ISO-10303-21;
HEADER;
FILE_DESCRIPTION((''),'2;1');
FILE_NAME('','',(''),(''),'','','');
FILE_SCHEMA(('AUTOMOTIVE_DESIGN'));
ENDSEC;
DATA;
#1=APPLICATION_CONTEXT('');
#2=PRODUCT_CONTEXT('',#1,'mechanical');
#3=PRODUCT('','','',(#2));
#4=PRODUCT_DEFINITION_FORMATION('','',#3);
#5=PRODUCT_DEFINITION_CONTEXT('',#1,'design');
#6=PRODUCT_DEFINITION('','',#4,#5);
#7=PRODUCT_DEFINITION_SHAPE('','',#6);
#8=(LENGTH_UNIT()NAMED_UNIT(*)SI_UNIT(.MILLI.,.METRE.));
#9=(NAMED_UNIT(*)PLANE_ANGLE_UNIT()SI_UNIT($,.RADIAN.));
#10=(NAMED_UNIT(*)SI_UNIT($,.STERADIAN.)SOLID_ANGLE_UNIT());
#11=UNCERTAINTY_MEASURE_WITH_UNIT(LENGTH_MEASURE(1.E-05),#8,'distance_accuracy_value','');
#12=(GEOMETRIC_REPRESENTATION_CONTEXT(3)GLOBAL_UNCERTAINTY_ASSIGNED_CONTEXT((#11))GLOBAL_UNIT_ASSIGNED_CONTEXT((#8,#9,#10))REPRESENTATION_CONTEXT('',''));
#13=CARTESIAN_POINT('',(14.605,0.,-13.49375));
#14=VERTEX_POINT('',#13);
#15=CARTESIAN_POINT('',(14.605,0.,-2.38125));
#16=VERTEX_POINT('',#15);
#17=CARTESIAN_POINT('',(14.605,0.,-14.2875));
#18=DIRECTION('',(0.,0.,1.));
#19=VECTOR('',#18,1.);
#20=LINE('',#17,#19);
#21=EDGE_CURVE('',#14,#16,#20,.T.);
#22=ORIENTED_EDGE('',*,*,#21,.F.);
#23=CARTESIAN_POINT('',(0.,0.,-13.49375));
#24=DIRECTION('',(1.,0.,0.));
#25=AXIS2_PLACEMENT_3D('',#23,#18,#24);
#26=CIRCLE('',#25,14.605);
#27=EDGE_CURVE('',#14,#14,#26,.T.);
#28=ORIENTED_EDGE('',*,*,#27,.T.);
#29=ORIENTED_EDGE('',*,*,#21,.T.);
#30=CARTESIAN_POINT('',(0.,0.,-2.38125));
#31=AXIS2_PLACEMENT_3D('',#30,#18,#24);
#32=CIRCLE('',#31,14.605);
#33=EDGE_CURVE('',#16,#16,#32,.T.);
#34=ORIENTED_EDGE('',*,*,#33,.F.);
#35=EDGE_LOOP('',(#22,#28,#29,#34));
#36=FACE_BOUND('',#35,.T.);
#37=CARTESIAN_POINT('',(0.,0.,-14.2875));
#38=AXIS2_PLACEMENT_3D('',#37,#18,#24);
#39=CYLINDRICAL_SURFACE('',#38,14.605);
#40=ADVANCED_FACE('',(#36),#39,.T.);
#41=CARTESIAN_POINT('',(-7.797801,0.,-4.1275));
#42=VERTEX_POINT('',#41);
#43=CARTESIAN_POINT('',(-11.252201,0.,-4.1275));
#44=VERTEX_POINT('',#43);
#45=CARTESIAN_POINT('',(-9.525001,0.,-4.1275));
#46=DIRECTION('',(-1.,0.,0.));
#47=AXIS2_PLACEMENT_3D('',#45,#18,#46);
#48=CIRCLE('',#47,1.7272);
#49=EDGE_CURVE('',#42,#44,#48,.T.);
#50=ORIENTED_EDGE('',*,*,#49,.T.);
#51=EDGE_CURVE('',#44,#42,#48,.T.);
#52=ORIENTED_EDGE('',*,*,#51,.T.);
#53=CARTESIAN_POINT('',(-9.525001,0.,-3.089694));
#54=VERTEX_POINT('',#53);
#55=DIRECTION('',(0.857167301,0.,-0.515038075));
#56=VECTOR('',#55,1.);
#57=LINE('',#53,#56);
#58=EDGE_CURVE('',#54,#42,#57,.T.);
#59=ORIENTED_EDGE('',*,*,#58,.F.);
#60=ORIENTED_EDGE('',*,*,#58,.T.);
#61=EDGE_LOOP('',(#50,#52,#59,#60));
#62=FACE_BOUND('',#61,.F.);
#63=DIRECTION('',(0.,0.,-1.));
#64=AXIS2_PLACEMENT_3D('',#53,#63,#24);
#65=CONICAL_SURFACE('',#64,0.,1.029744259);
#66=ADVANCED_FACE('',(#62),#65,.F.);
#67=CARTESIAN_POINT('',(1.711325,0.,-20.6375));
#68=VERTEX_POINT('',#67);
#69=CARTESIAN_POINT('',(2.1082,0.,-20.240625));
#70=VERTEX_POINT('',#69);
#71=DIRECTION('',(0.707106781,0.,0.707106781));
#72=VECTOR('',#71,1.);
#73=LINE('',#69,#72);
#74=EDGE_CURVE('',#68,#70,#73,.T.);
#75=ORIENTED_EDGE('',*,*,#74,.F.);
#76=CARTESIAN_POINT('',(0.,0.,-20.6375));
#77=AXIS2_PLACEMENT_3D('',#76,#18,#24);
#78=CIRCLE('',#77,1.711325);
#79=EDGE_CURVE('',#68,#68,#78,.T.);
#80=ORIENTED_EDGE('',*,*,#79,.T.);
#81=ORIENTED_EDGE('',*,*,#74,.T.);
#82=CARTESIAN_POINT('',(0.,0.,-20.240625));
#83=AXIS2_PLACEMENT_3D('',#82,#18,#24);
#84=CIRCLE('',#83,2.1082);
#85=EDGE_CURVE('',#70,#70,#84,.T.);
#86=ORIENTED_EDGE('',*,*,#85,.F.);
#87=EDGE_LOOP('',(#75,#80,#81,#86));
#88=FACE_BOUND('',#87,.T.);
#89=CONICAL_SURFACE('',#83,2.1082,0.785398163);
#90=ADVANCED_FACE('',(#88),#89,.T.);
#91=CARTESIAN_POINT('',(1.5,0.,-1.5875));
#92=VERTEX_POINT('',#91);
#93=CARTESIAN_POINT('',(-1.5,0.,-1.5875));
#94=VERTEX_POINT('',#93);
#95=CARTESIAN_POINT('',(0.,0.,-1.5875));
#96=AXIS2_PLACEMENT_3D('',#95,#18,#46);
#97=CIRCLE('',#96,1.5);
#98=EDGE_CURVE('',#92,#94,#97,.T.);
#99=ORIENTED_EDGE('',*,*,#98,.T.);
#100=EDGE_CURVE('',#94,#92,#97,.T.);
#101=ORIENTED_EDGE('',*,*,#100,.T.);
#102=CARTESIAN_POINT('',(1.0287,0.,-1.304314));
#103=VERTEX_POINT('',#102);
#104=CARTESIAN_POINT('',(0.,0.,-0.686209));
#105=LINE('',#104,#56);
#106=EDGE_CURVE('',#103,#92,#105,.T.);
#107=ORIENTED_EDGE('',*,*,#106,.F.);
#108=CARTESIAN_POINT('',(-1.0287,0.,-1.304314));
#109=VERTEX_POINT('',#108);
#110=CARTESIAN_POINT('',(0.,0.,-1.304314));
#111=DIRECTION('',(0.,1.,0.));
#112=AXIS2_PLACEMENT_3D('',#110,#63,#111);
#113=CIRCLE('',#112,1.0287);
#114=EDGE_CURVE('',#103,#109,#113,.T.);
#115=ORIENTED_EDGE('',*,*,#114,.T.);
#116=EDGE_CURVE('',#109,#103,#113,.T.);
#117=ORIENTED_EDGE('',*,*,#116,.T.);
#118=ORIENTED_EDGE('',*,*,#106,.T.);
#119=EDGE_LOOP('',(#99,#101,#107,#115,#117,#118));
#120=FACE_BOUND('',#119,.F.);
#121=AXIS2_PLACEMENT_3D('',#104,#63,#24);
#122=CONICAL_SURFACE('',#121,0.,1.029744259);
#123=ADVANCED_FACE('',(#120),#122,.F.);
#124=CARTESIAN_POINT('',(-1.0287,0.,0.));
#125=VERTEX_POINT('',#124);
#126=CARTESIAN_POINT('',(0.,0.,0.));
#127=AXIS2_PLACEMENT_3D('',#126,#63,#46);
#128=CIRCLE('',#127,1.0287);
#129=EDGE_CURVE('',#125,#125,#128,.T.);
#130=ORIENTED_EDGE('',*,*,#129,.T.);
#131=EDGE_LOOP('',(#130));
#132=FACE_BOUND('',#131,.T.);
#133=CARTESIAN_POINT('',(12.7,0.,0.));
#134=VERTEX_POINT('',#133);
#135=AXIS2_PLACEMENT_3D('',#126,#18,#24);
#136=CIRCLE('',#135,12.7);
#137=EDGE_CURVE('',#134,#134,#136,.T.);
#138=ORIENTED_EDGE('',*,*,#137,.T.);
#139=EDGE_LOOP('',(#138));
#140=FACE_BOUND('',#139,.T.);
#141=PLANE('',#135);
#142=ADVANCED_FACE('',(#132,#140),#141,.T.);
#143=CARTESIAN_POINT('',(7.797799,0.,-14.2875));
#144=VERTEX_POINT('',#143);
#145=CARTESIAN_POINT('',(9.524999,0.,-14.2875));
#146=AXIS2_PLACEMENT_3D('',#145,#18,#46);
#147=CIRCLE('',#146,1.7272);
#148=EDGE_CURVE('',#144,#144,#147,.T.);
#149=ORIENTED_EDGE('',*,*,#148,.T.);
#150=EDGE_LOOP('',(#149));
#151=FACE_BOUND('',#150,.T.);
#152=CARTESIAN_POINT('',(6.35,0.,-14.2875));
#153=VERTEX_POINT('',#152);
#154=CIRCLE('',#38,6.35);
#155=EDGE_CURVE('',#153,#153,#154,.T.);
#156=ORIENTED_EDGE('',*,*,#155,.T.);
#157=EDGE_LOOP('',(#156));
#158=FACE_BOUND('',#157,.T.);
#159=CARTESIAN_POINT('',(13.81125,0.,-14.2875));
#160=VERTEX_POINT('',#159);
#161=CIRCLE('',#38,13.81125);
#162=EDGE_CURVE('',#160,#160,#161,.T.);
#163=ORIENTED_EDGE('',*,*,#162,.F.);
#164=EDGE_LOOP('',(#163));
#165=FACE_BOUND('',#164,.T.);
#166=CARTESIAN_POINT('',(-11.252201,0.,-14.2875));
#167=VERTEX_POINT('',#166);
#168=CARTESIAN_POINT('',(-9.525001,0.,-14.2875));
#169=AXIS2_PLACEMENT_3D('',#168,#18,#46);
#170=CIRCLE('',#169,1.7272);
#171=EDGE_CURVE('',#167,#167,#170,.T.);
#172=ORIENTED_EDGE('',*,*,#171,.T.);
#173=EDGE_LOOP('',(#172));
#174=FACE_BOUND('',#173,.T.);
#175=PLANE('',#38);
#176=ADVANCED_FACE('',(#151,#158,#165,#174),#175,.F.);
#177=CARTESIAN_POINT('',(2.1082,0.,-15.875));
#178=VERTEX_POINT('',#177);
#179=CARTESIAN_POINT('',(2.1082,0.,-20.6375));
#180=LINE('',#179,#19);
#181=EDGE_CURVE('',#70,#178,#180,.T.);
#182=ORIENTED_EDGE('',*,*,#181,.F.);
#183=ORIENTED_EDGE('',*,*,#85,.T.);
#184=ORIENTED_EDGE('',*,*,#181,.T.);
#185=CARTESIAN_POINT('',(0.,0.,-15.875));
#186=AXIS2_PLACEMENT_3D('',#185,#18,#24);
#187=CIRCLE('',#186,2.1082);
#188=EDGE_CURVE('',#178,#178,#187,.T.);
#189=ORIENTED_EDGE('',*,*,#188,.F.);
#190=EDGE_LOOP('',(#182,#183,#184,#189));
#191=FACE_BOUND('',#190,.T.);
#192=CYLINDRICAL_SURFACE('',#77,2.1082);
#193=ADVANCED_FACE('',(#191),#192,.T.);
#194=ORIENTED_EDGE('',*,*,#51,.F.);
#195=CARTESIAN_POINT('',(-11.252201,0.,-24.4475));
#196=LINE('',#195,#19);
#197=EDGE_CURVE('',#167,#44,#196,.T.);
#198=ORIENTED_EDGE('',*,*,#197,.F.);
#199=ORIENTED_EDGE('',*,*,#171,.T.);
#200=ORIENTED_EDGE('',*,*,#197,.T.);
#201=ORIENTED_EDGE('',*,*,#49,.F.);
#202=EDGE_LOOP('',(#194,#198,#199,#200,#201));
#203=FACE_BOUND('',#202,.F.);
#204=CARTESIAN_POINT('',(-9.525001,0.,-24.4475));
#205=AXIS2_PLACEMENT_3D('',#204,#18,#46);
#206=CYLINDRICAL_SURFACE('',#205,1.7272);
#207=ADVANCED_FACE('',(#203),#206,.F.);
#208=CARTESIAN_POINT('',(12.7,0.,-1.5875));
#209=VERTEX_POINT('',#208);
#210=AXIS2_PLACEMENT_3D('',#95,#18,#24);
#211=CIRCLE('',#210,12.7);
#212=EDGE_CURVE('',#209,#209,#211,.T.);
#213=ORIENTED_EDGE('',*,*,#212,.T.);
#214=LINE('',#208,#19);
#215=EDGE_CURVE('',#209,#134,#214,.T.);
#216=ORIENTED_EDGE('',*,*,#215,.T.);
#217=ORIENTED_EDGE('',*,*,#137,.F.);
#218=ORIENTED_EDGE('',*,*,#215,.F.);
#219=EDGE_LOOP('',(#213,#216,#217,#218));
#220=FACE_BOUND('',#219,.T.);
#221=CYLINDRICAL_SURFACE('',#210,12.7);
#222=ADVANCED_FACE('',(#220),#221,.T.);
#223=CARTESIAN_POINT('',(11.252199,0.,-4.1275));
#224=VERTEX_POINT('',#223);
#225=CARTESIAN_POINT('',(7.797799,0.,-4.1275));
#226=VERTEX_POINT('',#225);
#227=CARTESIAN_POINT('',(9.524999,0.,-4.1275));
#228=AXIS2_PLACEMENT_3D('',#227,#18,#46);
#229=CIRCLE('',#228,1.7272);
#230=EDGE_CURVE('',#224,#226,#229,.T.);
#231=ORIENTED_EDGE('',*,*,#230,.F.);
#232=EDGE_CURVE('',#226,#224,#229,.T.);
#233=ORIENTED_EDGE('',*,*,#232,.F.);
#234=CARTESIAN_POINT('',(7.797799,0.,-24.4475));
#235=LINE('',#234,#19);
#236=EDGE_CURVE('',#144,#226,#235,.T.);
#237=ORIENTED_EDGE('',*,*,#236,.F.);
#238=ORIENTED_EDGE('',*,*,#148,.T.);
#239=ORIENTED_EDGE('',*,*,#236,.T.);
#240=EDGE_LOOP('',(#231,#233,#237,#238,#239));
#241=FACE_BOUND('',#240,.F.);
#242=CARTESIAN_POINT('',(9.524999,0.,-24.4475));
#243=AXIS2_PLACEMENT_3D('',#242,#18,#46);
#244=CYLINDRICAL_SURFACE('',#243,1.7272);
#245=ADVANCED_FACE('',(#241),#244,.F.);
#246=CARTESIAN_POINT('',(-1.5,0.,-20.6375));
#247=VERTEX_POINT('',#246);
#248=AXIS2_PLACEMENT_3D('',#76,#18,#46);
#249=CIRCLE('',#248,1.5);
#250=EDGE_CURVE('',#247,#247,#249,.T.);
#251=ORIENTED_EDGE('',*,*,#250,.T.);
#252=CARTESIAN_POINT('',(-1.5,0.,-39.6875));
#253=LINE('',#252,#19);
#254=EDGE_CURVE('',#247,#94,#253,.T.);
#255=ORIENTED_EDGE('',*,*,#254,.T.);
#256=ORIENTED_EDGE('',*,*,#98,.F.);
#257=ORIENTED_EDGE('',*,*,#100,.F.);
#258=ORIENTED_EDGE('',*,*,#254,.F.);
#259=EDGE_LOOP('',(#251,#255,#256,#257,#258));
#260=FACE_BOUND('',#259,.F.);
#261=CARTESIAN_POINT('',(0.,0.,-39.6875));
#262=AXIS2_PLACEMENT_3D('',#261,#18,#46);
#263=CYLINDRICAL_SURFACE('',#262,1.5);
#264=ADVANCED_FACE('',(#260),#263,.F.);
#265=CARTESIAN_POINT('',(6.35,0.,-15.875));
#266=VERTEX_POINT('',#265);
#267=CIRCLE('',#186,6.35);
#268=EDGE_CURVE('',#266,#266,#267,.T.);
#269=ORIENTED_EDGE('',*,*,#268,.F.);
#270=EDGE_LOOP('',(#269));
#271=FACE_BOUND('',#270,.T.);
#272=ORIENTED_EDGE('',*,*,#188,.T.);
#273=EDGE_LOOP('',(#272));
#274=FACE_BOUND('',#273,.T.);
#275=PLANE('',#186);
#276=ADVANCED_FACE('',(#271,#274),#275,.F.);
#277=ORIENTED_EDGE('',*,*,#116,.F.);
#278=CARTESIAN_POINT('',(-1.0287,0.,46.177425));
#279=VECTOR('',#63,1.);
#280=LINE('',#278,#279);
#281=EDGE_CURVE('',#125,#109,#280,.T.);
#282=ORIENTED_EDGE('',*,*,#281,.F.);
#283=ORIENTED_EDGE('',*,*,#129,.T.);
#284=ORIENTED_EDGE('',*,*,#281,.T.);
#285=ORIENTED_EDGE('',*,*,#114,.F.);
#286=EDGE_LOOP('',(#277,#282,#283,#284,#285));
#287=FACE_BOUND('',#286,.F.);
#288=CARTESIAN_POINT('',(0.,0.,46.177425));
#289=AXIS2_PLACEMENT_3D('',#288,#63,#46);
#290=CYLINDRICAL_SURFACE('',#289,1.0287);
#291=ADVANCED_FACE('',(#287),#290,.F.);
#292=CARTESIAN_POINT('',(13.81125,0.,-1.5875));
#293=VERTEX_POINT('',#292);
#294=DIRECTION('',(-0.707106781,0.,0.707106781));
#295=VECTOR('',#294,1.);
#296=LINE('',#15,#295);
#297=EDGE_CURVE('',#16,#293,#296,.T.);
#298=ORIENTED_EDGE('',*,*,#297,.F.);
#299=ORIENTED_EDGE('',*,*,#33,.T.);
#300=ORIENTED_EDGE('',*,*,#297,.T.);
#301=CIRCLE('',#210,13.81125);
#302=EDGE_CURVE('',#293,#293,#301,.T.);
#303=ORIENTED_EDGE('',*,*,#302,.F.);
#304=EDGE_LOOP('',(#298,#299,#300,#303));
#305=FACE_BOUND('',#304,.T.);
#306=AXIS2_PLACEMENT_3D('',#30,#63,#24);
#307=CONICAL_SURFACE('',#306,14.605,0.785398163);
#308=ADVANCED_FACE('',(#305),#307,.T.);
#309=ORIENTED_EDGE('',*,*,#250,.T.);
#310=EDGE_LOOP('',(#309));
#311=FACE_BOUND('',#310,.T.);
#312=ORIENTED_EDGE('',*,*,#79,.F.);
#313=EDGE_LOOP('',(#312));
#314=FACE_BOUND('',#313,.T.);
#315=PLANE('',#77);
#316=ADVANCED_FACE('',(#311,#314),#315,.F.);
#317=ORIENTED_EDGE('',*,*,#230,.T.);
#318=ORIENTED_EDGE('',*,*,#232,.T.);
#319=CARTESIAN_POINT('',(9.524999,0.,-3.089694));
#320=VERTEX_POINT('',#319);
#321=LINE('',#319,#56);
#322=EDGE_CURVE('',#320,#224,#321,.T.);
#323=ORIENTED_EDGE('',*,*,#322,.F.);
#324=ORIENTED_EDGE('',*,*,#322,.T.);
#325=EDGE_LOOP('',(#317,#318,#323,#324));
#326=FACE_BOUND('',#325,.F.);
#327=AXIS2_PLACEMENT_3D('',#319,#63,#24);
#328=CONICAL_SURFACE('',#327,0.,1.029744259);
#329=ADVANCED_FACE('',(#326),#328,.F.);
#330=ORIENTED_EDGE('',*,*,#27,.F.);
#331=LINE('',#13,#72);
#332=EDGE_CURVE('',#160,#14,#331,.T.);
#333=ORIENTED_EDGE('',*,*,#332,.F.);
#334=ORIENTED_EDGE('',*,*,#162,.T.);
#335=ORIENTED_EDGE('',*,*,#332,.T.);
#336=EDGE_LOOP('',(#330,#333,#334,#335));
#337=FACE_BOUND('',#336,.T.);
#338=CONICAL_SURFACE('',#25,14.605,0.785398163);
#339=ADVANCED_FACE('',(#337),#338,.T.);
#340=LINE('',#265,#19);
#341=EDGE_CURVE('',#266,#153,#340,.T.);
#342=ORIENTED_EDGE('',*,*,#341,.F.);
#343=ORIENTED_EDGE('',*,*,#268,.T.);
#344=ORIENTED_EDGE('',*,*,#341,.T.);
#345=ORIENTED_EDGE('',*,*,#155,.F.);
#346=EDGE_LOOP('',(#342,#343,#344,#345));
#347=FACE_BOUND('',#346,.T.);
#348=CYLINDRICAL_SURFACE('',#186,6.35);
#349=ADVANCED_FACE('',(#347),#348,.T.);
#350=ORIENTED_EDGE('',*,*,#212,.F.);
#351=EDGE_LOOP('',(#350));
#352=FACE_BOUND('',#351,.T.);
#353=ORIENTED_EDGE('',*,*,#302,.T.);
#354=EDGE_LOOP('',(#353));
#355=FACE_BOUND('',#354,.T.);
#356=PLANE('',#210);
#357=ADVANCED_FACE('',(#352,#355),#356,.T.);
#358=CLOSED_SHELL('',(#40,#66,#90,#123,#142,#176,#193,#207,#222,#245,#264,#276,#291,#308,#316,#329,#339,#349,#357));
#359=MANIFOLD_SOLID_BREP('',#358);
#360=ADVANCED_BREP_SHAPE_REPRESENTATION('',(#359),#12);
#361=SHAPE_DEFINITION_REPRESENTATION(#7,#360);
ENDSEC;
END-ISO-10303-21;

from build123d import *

# Parameters (mm, degrees)
F3_D     = 2.0574
F5_D     = 3
F5_DEPTH = 19.05
F5_TIP   = 0.9012909285
F6_SIZE  = 0.396875
F7_SIZE  = 0.79375
F9_D     = 3.4544
F9_DEPTH = 10.16
F9_TIP   = 1.0378064612


with BuildPart() as f1:
    # F0 (on Front) → F1 (revolve)
    with BuildSketch(Plane.XZ):
        Polygon((12.7, 0), (0, 0), (0, -20.6375), (2.1082, -20.6375), (2.1082, -15.875), (6.35, -15.875), (6.35, -14.2875), (14.605, -14.2875), (14.605, -1.5875), (12.7, -1.5875), align=None)
    revolve(axis=Axis((0, 0, -10.31875), (0, 0, 1)))

    # F3 (through all)
    with Locations(Plane.XY):
        with Locations((0, 0)):
            Hole(F3_D / 2)

    # F5
    with Locations(Plane(origin=(0, 0, -20.6375), x_dir=(1, 0, 0), z_dir=(0, 0, -1))):
        with Locations((0, 0)):
            Hole(F5_D / 2, depth=F5_DEPTH)
            with Locations((0, 0, -(F5_DEPTH + F5_TIP / 2))):  # 118° drill point
                Cone(0, F5_D / 2, F5_TIP, mode=Mode.SUBTRACT)

    # F6
    f6_edges = [f1.edges().sort_by_distance(p)[0] for p in [
        (-2.1082, 0, -20.6375),
    ]]
    chamfer(f6_edges, length=F6_SIZE)

    # F7
    f7_edges = [f1.edges().sort_by_distance(p)[0] for p in [
        (-14.605, 0, -1.5875),
        (-14.605, 0, -14.2875),
    ]]
    chamfer(f7_edges, length=F7_SIZE)

    # F9
    with Locations(Plane(origin=(0, 0, -14.2875), x_dir=(1, 0, 0), z_dir=(0, 0, -1))):
        with Locations((-9.525000882, 0), (9.524999118, 0)):
            Hole(F9_D / 2, depth=F9_DEPTH)
            with Locations((0, 0, -(F9_DEPTH + F9_TIP / 2))):  # 118° drill point
                Cone(0, F9_D / 2, F9_TIP, mode=Mode.SUBTRACT)


solid = f1.part
